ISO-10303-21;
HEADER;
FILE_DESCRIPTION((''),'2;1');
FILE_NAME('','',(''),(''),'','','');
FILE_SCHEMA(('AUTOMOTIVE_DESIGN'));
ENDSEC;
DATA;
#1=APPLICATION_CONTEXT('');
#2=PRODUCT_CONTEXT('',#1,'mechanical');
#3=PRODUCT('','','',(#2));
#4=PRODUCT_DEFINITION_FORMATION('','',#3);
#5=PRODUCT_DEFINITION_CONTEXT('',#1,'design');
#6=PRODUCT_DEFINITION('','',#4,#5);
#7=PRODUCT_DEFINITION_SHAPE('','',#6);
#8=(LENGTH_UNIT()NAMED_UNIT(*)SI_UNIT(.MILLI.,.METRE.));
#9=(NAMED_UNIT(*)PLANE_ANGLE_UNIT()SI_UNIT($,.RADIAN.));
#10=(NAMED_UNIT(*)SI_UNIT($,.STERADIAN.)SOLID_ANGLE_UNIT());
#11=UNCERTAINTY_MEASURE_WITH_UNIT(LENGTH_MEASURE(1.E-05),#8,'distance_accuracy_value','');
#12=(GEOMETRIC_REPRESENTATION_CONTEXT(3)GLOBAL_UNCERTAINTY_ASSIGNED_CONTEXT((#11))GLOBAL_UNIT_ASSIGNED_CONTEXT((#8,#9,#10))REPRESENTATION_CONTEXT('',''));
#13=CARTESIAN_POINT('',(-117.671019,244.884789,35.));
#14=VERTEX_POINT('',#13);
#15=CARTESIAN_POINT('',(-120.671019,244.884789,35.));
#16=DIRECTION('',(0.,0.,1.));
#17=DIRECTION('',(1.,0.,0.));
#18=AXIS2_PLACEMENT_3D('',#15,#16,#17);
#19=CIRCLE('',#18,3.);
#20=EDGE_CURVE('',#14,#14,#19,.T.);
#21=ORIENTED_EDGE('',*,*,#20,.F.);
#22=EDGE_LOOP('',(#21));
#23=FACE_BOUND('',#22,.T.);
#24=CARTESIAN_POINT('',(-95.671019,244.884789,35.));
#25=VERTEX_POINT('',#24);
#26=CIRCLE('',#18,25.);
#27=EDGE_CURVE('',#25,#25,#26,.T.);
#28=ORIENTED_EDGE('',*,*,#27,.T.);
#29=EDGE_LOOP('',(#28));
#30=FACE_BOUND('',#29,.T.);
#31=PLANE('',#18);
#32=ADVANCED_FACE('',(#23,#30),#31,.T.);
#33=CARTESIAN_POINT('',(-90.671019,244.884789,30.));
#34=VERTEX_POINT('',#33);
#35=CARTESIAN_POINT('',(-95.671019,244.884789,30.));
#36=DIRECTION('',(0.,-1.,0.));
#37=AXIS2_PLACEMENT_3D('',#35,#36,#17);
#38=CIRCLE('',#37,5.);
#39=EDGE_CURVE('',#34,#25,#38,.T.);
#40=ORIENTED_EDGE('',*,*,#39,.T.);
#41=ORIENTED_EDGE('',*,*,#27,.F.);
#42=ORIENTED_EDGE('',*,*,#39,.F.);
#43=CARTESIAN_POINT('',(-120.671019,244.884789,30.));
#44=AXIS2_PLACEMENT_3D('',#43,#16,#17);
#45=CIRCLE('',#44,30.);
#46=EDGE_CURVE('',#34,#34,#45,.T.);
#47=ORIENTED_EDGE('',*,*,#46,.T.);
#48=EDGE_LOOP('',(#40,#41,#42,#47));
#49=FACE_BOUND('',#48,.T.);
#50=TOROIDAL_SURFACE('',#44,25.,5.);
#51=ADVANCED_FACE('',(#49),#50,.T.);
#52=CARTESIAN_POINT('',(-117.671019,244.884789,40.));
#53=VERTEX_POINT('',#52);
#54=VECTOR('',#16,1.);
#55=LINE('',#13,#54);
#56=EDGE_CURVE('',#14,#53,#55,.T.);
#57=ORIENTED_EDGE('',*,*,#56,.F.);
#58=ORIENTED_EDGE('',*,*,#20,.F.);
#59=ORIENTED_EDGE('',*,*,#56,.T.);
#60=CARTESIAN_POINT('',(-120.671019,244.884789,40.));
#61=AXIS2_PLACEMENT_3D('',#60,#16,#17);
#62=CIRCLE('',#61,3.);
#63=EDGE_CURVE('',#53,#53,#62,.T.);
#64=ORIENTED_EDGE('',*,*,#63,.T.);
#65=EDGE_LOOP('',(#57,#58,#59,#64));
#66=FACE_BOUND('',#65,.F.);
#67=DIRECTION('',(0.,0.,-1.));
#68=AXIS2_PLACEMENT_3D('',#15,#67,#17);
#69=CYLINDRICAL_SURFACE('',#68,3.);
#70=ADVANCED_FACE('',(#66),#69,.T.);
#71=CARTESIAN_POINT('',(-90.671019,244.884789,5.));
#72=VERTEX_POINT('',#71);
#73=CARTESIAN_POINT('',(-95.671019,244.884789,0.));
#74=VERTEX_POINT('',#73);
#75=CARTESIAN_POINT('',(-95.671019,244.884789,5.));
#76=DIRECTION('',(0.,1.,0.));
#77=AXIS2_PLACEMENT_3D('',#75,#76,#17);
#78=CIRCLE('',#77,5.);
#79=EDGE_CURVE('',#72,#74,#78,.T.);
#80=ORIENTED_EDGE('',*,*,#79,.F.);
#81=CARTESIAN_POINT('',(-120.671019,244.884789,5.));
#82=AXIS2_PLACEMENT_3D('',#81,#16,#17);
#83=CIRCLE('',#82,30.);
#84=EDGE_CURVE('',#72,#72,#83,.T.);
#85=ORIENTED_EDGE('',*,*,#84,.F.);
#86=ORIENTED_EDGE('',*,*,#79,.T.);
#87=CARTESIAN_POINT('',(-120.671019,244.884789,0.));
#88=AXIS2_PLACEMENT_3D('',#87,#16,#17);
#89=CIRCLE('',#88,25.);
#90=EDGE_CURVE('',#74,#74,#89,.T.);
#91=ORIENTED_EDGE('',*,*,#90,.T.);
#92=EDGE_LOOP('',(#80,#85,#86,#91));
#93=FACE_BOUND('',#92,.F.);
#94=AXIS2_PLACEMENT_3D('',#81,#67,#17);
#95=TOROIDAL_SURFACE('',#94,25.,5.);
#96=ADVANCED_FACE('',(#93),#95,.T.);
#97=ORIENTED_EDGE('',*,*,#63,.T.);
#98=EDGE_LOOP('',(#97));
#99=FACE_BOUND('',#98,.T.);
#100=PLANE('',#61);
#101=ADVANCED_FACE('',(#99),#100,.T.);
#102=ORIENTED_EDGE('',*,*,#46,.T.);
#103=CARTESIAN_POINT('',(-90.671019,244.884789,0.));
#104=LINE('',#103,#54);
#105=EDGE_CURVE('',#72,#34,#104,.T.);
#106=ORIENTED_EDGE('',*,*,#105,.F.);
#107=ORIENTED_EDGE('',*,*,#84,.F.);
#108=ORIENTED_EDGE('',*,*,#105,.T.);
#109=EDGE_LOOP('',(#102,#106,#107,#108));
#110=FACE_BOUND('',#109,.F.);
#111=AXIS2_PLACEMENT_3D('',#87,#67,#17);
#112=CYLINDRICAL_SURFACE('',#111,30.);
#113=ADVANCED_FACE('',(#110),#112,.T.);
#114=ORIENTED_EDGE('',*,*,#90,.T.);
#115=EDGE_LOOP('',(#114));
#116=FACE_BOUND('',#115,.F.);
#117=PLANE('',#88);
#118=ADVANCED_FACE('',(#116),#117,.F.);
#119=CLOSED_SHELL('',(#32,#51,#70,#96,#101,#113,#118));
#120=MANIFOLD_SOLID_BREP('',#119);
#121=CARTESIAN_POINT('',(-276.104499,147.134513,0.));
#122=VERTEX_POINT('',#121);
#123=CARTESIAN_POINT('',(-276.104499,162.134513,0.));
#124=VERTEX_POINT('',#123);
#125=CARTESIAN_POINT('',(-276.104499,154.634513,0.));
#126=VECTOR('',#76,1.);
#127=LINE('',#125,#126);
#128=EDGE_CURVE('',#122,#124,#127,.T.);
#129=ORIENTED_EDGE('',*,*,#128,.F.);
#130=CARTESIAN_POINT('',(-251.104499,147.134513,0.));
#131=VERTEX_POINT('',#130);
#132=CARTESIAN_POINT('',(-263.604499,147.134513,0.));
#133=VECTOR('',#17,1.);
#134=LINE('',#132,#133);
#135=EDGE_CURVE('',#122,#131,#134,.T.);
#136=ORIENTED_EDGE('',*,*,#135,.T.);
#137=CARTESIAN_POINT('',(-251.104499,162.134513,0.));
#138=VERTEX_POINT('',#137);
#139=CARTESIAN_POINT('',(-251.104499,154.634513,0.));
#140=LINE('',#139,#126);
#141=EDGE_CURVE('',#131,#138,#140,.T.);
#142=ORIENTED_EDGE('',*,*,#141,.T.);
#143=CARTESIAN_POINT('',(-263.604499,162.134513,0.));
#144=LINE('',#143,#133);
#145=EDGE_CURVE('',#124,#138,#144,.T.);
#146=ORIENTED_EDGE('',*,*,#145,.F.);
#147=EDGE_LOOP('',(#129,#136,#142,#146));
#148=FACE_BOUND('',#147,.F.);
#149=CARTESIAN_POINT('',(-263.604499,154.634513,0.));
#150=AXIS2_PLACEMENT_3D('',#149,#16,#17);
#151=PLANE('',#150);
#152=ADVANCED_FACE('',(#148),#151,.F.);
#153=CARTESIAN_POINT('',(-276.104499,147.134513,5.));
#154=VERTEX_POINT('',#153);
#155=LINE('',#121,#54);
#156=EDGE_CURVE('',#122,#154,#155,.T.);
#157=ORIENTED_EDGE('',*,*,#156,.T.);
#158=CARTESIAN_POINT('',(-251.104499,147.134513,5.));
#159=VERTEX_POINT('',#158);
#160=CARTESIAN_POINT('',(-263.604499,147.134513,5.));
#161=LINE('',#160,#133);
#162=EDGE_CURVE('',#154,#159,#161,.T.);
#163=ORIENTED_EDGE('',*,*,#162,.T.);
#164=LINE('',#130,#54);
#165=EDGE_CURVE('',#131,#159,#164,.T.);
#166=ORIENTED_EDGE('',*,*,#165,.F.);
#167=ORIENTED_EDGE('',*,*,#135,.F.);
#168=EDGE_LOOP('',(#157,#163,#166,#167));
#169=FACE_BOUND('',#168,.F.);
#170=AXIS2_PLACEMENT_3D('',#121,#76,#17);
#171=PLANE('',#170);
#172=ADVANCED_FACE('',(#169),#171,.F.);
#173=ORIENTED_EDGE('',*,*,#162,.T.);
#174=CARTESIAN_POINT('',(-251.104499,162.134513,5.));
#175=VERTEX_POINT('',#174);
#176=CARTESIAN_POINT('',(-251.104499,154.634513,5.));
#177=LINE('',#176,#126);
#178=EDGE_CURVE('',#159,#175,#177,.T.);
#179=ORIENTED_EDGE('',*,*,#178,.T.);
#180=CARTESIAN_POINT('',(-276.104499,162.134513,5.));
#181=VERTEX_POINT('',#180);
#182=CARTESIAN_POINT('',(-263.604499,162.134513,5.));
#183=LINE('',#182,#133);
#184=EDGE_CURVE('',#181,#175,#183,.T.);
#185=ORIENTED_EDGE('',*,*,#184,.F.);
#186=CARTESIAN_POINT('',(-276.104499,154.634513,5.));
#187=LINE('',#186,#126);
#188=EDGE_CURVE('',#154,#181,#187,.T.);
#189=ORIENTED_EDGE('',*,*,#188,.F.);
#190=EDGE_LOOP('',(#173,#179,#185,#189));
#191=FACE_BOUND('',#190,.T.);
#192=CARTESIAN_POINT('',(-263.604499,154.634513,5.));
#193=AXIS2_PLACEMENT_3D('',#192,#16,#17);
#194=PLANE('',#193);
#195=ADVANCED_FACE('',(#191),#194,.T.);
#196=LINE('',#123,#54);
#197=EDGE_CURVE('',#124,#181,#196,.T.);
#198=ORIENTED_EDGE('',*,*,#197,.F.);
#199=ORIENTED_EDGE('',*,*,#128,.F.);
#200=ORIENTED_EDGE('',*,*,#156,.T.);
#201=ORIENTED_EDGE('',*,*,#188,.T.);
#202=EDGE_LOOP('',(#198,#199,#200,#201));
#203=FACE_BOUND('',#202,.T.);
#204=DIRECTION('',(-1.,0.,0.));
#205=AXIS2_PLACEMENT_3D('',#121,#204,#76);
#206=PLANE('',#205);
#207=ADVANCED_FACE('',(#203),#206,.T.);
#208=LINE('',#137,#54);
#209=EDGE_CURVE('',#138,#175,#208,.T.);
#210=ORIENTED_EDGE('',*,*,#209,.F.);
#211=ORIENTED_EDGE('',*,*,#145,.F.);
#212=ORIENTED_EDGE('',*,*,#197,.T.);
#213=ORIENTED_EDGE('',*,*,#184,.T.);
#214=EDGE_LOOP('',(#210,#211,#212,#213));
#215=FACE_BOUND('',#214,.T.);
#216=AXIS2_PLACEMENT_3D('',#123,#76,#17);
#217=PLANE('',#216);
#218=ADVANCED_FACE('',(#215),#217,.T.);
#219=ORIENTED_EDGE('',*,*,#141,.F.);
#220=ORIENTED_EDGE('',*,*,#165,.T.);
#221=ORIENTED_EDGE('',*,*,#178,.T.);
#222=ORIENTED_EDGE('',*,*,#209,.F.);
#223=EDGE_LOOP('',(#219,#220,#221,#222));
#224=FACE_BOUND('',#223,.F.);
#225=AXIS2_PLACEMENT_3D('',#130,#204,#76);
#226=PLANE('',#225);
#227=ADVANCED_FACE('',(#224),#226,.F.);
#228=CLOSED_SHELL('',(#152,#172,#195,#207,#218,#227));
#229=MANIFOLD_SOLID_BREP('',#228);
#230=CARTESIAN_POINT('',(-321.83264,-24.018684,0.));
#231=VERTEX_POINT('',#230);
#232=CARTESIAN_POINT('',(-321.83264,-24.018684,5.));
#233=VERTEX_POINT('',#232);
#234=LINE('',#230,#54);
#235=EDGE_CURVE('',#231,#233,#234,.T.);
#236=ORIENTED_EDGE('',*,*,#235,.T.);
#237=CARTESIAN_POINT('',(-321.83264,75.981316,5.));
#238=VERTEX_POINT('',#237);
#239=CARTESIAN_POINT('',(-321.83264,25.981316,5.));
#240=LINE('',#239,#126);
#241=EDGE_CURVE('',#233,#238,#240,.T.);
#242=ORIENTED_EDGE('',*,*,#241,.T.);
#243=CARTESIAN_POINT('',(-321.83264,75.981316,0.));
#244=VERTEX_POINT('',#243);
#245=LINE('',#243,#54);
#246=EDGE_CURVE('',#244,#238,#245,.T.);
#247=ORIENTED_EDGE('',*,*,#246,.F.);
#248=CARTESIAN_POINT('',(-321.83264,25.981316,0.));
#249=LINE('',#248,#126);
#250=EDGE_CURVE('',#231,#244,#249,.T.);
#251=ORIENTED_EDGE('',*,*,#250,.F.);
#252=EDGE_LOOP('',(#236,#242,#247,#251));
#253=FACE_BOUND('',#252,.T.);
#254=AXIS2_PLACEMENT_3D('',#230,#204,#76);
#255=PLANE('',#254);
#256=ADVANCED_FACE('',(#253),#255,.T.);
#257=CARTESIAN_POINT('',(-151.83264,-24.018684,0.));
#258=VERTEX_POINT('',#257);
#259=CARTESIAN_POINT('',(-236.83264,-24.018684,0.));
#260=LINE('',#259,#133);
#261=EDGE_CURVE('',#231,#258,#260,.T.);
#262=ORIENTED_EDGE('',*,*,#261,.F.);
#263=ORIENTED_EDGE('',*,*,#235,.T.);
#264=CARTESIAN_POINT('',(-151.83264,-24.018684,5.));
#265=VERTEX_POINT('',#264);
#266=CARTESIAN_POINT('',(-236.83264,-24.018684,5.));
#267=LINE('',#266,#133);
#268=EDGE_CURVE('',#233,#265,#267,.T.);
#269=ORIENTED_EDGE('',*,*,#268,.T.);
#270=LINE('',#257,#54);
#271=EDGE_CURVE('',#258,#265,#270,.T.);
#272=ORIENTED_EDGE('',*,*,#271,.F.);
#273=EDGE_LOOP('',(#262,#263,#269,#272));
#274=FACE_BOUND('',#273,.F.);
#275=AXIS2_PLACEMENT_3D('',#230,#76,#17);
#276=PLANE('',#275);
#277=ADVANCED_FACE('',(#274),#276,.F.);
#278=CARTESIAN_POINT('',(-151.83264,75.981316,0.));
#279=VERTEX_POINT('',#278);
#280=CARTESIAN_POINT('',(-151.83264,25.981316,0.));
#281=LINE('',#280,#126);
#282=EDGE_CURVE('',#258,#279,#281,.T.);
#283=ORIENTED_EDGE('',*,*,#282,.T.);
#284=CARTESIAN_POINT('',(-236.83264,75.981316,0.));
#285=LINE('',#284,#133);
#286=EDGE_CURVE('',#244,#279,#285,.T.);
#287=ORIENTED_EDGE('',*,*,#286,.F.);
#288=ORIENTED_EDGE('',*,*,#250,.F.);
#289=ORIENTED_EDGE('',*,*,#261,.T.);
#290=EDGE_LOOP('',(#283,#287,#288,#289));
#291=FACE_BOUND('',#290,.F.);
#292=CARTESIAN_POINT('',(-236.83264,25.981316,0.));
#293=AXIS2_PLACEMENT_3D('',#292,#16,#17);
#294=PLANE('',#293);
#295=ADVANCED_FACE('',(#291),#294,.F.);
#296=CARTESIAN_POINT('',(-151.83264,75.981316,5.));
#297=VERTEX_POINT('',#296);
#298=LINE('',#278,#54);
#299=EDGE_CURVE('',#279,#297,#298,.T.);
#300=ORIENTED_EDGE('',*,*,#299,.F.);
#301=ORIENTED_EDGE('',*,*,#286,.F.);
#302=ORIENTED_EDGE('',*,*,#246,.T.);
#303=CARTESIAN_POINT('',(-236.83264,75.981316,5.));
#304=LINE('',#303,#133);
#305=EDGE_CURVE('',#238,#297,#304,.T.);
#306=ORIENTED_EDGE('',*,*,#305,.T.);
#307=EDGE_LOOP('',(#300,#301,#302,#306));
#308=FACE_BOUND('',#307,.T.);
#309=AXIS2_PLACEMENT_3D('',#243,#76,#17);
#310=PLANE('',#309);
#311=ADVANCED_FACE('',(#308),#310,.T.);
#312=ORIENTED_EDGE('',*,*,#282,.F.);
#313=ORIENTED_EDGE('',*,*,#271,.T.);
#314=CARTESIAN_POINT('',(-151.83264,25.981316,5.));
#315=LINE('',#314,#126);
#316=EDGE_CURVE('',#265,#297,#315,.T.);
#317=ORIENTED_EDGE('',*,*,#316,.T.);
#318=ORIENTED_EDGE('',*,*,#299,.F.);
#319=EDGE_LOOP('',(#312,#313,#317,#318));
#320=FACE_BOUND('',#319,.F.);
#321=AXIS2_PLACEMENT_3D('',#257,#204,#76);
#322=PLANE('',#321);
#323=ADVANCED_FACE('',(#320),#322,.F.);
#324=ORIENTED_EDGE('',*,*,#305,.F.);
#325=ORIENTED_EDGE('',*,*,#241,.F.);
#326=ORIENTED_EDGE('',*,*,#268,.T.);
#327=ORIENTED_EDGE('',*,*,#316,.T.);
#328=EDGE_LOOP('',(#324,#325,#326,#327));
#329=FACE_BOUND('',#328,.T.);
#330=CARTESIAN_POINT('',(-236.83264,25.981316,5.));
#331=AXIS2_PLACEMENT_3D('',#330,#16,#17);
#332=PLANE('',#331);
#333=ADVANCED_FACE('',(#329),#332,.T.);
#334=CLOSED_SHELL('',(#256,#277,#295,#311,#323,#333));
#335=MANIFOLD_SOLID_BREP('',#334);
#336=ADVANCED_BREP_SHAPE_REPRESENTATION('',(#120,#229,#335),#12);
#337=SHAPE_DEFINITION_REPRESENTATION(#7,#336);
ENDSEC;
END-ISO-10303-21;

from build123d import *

# Parameters (mm, degrees)
F0_W     = 170
F0_H     = 100
F1_DEPTH = 5
F2_R     = 30
F3_DEPTH = 35
F4_R     = 5
F5_R     = 3
F6_DEPTH = 5
F7_W     = 25
F7_H     = 15
F8_DEPTH = 5


with BuildPart() as f1:
    # F0 (on Top) → F1 (new body)
    with BuildSketch(Plane.XY):
        with Locations((-236.83264, 25.981316)):
            Rectangle(F0_W, F0_H)
    extrude(amount=F1_DEPTH)


with BuildPart() as f3:
    # F2 (on Top) → F3 (new body)
    with BuildSketch(Plane.XY):
        with Locations((-120.671019, 244.884789)):
            Circle(F2_R)
    extrude(amount=F3_DEPTH)

    # F4
    f4_edges = [f3.edges().sort_by_distance(p)[0] for p in [
        (-150.671019, 244.884789, 35),
        (-90.671019, 244.884789, 17.5),
        (-150.671019, 244.884789, 0),
    ]]
    fillet(f4_edges, radius=F4_R)

    # F5 (on face) → F6 (join)
    with BuildSketch(Plane.XY.offset(35)):
        with Locations((-120.671019, 244.884789)):
            Circle(F5_R)
    extrude(amount=F6_DEPTH)


with BuildPart() as f8:
    # F7 (on Top) → F8 (new body)
    with BuildSketch(Plane.XY):
        with Locations((-263.604499, 154.634513)):
            Rectangle(F7_W, F7_H)
    extrude(amount=F8_DEPTH)


solid = Compound([f1.part, f3.part, f8.part])
